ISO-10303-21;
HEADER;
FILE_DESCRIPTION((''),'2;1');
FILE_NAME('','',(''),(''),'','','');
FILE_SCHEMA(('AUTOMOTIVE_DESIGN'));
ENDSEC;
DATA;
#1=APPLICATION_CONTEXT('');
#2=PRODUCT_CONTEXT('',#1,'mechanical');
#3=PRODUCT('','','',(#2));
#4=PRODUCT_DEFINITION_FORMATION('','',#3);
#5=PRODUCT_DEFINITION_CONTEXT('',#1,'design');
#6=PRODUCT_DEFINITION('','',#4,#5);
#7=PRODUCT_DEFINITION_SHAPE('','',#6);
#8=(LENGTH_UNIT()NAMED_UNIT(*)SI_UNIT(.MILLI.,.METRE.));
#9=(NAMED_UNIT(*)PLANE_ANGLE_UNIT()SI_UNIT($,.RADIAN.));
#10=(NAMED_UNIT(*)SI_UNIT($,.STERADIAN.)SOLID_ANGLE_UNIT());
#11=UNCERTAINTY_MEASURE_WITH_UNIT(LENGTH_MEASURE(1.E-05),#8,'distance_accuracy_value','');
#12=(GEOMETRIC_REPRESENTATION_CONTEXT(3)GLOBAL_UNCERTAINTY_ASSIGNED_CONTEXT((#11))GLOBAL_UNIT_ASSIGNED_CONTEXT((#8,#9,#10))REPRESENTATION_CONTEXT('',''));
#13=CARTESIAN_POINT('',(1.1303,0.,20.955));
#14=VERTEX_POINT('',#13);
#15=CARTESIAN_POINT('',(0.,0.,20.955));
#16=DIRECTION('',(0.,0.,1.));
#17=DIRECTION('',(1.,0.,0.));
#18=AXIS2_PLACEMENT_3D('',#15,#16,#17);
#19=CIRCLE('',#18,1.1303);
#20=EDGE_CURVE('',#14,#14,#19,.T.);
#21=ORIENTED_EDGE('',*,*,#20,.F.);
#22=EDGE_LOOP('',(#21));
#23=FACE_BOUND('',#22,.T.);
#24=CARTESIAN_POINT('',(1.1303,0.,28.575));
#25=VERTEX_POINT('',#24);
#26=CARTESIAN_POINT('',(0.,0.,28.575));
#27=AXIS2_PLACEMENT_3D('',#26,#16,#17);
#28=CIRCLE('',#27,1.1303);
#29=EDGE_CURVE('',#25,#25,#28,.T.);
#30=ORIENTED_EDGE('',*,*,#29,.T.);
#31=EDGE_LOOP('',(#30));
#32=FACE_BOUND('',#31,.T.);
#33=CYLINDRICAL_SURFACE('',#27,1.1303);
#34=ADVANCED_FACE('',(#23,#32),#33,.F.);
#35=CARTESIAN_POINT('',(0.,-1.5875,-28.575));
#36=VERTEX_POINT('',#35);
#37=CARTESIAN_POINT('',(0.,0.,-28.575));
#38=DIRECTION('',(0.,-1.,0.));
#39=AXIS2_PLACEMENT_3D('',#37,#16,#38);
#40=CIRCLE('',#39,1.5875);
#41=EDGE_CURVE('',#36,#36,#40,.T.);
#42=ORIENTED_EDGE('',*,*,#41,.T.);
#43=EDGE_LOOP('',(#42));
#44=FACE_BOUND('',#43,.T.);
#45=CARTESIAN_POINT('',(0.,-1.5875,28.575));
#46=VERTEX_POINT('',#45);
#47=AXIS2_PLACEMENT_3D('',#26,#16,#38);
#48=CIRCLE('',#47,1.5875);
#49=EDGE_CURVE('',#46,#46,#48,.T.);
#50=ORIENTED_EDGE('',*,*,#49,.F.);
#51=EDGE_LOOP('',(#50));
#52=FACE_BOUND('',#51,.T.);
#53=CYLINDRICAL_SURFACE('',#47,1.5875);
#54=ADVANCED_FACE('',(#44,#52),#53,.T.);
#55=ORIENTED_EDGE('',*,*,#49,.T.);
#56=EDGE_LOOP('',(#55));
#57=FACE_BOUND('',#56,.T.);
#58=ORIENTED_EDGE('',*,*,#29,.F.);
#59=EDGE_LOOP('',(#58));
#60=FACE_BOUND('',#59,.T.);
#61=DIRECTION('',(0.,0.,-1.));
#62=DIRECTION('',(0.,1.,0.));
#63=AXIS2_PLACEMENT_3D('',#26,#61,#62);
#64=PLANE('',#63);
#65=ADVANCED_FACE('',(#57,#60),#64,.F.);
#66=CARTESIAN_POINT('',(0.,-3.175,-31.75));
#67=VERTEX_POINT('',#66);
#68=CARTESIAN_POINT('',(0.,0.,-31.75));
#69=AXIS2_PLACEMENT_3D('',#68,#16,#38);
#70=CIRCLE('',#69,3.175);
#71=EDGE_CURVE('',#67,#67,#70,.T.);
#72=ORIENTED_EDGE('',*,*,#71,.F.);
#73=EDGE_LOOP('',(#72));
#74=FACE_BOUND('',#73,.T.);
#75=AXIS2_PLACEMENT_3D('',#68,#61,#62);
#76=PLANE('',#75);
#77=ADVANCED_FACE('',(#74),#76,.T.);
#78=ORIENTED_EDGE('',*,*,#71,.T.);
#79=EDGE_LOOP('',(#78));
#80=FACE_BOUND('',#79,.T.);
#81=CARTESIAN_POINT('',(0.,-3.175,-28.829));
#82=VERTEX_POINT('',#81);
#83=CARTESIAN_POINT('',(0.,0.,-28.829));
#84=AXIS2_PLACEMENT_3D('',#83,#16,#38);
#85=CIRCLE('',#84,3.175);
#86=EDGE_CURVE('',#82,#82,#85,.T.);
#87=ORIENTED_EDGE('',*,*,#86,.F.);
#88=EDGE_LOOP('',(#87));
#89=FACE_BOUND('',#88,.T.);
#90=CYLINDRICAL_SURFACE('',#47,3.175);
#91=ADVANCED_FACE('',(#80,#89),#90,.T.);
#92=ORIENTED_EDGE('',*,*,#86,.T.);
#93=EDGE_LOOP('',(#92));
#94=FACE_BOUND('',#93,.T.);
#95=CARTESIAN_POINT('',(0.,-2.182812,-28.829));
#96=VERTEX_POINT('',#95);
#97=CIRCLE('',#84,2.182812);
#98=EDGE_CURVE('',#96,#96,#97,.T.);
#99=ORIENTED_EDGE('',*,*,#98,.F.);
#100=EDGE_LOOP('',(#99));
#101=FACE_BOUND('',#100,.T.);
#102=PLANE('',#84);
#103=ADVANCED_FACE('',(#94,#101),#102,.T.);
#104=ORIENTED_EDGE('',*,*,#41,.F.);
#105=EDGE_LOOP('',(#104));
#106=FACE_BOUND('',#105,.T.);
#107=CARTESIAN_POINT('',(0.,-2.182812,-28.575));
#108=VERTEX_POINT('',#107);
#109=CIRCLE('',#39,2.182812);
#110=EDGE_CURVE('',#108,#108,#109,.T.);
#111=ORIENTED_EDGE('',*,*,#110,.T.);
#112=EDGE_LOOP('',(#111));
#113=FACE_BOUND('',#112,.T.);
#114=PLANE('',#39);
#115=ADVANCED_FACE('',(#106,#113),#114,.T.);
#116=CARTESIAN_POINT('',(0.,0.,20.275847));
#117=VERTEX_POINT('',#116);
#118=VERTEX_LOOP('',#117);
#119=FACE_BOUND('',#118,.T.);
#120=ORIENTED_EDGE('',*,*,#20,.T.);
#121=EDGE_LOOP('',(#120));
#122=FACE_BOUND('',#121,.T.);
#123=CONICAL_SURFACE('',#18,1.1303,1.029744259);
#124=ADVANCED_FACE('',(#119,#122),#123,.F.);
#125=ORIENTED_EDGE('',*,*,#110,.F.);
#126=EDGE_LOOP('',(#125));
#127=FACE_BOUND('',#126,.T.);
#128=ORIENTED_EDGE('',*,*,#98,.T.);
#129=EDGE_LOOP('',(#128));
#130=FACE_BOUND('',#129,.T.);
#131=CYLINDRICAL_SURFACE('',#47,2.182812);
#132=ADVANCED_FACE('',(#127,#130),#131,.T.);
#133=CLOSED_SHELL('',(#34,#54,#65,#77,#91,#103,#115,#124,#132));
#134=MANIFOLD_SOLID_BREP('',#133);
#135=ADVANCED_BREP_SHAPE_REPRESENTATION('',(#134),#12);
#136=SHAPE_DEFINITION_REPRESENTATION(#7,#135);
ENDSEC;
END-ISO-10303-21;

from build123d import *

# Parameters (mm, degrees)
SKETCH1_W                 = 57.15
SKETCH1_H                 = 1.5875
F_4_40_TAPPED_HOLE1_D     = 2.2606
F_4_40_TAPPED_HOLE1_DEPTH = 7.62
F_4_40_TAPPED_HOLE1_TIP   = 0.679152758


with BuildPart() as part:
    # Sketch1 → Revolve1 (revolve)
    with BuildSketch(Plane(origin=(0, 0, 0), x_dir=(0, 0, -1), z_dir=(1, 0, 0))):
        with Locations((0, 0.79375)):
            Rectangle(SKETCH1_W, SKETCH1_H)
        Polygon((31.75, 0), (28.575, 0), (28.575, 1.5875), (28.575, 2.1828125), (28.829, 2.1828125), (28.829, 3.175), (31.75, 3.175), align=None)
    revolve(axis=Axis((0, 0, 28.575), (0, 0, -1)))

    # #4-40 Tapped Hole1
    with Locations(Plane.XY.offset(28.575)):
        with Locations((0, 0)):
            Hole(F_4_40_TAPPED_HOLE1_D / 2, depth=F_4_40_TAPPED_HOLE1_DEPTH)
            with Locations((0, 0, -(F_4_40_TAPPED_HOLE1_DEPTH + F_4_40_TAPPED_HOLE1_TIP / 2))):  # 118° drill point
                Cone(0, F_4_40_TAPPED_HOLE1_D / 2, F_4_40_TAPPED_HOLE1_TIP, mode=Mode.SUBTRACT)


solid = part.part
